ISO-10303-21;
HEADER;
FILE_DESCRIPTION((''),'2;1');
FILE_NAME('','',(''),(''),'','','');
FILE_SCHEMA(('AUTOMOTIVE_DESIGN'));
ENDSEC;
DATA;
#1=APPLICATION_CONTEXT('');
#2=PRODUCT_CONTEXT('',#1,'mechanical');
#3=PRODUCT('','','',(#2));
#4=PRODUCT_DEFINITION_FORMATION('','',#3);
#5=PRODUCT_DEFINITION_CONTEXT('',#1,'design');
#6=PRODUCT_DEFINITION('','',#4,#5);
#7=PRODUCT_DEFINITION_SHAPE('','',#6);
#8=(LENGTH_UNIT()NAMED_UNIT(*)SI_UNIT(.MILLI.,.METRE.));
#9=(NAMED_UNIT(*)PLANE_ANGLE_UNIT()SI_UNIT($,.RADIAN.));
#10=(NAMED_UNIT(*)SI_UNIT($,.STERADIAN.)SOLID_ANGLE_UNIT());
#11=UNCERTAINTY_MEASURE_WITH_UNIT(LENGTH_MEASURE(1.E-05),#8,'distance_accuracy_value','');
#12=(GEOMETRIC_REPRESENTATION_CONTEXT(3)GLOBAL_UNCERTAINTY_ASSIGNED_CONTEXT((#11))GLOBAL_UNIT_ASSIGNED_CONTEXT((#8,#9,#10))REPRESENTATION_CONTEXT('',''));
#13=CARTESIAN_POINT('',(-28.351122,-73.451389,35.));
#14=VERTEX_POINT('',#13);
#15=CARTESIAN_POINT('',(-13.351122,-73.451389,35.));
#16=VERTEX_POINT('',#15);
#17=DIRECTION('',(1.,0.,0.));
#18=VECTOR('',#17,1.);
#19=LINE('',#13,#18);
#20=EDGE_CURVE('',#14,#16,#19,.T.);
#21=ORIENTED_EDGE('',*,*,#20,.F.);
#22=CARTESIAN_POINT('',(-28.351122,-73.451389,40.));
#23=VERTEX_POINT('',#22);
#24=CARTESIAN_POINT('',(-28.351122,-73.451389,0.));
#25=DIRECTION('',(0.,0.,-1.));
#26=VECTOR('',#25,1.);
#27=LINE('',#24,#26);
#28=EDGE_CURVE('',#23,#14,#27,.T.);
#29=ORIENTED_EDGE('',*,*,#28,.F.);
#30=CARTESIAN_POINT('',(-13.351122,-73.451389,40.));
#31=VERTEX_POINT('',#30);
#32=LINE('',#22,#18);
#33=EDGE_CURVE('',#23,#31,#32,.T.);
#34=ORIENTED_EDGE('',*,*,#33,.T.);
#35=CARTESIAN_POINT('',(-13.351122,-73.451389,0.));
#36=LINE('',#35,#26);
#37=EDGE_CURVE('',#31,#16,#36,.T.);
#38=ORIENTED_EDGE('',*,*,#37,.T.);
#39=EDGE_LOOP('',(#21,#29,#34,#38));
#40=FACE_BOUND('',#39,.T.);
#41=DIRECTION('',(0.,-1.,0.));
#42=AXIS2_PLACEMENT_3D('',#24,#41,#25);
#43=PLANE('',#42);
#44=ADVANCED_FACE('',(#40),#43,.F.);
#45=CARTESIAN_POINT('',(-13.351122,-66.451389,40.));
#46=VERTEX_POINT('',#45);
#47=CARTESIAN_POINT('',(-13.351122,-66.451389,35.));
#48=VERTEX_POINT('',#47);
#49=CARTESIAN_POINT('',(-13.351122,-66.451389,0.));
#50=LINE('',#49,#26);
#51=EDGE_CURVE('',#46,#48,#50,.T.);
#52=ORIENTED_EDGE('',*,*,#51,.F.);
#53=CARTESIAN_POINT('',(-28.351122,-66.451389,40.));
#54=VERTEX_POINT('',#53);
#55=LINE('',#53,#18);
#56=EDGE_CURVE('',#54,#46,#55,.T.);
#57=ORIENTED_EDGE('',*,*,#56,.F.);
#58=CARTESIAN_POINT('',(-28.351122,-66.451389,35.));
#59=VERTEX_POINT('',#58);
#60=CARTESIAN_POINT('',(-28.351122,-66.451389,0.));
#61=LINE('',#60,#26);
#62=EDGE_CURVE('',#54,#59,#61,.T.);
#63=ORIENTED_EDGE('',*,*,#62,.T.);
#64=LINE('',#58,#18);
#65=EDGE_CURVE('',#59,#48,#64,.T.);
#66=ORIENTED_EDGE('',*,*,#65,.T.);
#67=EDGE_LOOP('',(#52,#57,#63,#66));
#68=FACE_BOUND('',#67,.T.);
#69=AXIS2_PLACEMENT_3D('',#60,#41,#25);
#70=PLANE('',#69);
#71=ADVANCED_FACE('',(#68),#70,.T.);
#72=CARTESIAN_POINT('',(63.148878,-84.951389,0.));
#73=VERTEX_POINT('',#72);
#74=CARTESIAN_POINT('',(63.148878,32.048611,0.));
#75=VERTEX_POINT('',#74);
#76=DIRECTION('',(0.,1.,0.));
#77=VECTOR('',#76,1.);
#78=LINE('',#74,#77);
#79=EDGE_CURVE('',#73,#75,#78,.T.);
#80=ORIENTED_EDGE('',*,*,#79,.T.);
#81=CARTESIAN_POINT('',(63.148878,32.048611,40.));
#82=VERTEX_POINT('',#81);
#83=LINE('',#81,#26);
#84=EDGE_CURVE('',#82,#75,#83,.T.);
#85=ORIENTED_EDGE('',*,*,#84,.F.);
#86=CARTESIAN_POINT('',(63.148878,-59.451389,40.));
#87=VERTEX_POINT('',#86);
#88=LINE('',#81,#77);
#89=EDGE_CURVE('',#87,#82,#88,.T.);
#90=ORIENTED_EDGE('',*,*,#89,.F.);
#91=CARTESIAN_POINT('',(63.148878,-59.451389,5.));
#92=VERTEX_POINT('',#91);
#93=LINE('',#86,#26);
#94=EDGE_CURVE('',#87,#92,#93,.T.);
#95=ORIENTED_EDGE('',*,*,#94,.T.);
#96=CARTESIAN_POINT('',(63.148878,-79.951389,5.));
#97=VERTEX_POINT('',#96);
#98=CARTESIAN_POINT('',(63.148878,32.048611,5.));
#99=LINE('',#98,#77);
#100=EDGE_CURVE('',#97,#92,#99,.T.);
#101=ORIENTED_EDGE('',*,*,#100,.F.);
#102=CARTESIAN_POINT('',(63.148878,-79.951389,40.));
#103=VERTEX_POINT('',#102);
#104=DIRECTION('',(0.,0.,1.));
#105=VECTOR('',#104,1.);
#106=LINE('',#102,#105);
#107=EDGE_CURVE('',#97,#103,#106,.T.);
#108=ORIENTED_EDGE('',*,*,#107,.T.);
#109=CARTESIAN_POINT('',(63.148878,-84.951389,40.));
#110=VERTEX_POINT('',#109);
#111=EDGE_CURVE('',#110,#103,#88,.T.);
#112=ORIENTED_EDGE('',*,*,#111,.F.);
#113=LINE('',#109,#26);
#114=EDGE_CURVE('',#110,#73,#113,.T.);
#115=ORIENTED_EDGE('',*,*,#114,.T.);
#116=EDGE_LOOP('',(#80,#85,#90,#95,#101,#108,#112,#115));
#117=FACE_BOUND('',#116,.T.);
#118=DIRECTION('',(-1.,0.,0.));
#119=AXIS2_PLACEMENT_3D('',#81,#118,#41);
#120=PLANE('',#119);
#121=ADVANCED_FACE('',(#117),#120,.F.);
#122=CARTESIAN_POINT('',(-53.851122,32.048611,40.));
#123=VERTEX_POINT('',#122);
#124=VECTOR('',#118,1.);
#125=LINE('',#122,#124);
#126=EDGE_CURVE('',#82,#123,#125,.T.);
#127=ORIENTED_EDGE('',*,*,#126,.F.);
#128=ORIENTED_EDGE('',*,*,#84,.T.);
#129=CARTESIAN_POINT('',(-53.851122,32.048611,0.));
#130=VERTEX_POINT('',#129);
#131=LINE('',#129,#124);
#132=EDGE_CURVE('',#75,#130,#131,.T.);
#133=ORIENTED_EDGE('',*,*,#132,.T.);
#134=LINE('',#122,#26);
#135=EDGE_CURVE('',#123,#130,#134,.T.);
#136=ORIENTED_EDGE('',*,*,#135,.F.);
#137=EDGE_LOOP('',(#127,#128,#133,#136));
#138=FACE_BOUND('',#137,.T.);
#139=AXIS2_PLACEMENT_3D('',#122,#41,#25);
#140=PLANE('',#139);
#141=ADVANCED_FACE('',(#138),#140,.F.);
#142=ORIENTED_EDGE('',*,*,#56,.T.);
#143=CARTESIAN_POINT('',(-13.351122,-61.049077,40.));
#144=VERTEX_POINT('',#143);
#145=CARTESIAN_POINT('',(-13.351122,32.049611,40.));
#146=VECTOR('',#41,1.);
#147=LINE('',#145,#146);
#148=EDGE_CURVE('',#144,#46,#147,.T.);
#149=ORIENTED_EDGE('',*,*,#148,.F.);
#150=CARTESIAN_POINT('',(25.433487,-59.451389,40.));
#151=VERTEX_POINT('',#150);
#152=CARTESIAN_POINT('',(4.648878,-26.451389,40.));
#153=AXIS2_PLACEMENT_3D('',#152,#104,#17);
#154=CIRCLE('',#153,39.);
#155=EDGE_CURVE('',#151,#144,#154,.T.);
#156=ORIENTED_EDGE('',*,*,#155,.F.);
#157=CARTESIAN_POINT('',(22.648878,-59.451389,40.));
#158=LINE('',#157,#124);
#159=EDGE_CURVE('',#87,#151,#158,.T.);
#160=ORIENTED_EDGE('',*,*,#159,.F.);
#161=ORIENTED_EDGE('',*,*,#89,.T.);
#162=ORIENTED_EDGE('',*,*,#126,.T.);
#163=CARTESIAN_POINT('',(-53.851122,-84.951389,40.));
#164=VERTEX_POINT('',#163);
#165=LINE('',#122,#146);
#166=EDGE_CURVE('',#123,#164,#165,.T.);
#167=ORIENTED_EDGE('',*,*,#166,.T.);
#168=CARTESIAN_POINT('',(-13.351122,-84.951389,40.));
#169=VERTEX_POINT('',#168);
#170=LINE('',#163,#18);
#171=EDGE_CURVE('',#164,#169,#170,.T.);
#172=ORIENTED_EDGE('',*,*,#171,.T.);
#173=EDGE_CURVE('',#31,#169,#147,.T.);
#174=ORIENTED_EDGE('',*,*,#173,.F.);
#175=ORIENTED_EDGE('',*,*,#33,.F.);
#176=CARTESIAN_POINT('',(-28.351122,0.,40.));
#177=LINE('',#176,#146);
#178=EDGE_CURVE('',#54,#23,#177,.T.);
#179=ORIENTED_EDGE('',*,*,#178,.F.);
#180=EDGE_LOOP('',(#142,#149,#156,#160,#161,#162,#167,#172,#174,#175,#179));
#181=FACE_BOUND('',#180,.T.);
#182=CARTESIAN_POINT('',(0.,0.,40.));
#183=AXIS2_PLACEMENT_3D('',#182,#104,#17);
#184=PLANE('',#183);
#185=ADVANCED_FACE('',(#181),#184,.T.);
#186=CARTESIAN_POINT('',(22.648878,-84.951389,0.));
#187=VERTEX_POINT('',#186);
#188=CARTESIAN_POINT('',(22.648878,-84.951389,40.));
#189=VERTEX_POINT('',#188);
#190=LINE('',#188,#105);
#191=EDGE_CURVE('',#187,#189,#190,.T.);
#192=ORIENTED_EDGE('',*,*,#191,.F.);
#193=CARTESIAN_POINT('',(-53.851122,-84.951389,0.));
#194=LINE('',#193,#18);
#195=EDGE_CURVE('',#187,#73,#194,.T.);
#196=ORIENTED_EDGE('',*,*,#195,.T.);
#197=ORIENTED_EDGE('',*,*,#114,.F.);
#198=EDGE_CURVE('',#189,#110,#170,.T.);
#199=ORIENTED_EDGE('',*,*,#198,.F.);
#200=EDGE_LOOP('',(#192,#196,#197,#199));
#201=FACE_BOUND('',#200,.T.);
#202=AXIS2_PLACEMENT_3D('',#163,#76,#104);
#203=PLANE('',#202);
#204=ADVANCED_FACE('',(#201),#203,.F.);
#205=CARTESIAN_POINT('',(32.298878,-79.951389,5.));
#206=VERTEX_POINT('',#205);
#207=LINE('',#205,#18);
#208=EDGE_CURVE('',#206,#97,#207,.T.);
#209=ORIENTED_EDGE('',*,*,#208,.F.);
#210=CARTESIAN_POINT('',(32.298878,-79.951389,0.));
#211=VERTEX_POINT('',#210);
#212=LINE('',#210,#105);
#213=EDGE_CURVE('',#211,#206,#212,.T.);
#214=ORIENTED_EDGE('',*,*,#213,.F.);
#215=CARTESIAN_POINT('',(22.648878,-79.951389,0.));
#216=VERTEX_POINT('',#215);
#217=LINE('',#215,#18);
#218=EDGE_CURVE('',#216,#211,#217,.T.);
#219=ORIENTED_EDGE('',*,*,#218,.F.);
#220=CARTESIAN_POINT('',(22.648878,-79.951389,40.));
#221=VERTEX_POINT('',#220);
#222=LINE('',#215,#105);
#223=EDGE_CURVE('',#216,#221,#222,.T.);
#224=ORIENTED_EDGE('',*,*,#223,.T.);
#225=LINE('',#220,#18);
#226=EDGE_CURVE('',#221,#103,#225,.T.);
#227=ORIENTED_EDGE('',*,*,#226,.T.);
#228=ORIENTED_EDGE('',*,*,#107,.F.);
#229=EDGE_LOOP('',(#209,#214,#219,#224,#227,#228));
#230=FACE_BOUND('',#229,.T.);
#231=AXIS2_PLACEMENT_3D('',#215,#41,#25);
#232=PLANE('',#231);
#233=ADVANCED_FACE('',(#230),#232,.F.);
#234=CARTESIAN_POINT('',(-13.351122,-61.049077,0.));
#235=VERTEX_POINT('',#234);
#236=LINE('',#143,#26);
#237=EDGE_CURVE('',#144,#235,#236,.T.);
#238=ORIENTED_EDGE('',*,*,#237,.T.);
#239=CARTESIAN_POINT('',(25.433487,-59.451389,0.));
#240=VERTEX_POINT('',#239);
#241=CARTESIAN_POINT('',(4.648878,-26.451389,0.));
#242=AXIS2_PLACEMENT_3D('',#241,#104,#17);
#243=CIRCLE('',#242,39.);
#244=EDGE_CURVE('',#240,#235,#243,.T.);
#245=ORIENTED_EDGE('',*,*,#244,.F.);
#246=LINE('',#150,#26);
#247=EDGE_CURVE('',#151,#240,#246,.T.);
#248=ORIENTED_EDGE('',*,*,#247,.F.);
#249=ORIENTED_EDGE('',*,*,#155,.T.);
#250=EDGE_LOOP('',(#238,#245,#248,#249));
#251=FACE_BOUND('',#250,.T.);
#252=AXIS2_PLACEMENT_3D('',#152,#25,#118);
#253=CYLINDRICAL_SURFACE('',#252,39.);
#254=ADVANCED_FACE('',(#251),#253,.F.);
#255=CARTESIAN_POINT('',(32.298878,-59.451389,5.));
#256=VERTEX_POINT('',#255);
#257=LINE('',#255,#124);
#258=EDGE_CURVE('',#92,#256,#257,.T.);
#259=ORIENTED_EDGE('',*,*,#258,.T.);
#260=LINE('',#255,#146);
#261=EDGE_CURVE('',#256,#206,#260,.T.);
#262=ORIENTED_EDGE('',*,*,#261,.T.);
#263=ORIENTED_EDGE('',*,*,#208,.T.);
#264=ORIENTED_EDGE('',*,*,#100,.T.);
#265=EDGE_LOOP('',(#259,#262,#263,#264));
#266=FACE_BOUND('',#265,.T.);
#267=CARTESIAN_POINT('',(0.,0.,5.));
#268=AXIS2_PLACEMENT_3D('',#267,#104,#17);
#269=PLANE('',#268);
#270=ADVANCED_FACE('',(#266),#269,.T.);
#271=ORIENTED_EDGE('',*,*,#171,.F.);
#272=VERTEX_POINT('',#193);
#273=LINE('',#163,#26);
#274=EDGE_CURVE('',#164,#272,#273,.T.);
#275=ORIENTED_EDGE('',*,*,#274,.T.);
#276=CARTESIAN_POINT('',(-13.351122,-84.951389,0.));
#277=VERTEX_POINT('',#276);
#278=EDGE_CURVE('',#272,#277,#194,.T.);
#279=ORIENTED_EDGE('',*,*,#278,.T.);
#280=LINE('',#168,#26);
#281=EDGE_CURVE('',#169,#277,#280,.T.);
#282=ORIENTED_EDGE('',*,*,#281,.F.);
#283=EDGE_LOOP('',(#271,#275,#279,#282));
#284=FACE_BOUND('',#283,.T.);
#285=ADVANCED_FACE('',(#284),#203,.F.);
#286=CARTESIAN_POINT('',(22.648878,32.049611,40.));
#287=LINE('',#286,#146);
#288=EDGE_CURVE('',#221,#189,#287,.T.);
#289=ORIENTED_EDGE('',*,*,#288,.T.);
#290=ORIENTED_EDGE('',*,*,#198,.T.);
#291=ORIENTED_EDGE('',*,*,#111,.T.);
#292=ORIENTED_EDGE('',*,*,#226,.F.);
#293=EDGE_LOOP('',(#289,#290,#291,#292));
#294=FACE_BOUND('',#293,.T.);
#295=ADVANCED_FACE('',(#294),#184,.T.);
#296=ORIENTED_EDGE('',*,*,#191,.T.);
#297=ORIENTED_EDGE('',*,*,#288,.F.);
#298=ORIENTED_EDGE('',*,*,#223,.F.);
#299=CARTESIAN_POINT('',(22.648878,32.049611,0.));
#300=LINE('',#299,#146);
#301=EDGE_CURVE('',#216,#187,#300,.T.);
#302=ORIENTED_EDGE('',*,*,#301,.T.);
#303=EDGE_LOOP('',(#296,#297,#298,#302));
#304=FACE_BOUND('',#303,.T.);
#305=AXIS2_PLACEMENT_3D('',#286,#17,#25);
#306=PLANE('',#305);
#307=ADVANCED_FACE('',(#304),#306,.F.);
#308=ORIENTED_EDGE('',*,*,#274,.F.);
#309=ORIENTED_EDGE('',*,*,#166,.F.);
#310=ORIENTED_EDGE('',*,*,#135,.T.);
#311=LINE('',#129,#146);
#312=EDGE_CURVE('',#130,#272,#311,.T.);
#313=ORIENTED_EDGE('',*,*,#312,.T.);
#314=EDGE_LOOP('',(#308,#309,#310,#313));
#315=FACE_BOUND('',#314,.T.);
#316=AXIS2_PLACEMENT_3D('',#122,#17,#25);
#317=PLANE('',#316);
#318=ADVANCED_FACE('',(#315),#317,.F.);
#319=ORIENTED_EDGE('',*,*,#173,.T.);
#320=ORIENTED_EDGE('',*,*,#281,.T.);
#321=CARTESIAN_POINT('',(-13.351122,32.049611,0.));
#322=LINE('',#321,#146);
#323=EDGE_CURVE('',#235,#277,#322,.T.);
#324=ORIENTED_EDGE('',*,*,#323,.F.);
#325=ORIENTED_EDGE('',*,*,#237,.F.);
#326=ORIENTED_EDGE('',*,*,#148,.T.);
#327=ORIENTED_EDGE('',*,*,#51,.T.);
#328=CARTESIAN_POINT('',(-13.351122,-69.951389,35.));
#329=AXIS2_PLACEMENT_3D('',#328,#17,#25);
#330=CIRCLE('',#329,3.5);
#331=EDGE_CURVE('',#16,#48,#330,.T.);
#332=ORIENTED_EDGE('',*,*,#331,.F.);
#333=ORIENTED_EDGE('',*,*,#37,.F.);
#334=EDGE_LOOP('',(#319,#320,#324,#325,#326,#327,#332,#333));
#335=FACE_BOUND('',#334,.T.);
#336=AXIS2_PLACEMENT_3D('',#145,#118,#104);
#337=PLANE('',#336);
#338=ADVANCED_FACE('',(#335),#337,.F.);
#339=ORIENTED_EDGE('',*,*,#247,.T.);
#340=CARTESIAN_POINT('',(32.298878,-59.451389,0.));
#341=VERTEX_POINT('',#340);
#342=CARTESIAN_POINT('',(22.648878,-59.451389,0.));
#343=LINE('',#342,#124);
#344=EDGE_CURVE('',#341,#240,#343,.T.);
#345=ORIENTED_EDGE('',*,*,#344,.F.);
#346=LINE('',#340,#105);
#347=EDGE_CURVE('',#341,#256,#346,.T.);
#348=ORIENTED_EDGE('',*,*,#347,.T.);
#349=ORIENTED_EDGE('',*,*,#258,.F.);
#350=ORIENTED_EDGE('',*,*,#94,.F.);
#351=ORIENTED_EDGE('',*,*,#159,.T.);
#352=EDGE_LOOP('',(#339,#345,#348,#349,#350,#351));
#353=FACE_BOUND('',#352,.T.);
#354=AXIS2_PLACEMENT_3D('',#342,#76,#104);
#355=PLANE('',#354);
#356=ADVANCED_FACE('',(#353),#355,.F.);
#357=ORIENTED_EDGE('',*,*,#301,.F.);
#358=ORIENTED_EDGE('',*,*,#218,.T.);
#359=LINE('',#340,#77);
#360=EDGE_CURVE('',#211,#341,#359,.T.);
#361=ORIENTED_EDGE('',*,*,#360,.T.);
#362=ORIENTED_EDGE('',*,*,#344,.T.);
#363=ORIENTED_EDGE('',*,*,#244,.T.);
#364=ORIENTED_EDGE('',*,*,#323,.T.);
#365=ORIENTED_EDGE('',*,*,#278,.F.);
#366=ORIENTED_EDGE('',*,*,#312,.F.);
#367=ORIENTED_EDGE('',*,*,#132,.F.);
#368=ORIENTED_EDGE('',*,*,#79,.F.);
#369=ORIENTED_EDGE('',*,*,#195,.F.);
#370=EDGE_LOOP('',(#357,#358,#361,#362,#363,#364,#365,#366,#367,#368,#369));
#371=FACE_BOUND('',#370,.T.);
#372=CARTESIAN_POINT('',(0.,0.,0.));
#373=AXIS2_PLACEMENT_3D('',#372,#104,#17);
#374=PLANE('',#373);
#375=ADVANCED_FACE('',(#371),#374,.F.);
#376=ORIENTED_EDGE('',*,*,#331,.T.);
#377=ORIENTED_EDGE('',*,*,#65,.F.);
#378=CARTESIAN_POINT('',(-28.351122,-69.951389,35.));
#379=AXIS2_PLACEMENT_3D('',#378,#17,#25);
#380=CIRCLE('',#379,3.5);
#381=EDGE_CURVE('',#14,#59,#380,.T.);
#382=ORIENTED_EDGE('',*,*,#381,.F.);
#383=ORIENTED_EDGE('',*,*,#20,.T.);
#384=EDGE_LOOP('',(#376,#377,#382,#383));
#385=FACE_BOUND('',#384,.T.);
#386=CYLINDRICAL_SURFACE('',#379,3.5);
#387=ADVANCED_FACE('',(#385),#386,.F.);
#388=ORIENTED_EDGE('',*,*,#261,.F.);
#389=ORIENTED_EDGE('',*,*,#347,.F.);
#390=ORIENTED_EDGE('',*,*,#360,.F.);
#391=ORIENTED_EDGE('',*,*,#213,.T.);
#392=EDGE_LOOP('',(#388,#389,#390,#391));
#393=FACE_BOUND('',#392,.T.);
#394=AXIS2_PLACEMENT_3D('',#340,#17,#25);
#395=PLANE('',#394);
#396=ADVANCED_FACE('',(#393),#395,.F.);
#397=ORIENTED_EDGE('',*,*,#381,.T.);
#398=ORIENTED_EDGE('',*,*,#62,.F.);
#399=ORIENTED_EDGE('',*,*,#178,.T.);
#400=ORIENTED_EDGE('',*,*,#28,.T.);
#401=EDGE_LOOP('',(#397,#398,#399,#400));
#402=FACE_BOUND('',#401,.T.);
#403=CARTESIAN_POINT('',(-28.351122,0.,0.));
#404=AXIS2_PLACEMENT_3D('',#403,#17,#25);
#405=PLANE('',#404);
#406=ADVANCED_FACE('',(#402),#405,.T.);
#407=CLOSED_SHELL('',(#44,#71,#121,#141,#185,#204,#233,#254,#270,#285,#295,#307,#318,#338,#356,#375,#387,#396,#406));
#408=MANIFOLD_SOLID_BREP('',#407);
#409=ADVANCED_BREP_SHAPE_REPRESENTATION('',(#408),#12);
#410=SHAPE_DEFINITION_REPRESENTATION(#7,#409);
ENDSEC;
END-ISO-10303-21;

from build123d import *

# Parameters (mm, degrees)
SKETCH_1_W          = 117
SKETCH_1_H          = 117
SKETCH_1_R          = 39
EXTRUDE_1_DEPTH     = 40
CUT_EXTRUDE_1_REACH = 119
SKETCH_2_W          = 36
SKETCH_2_H          = 40
SKETCH_7_W          = 9.65
SKETCH_7_H          = 20.5
CUT_EXTRUDE_4_DEPTH = 40
CUT_EXTRUDE_5_DEPTH = 15
SKETCH_9_W          = 31
SKETCH_9_H          = 20.5
CUT_EXTRUDE_6_DEPTH = 35


with BuildPart() as part:
    # 草圖1 → 填料-伸長1 (new body)
    with BuildSketch(Plane.XY):
        with Locations((4.648877503, -26.451389471)):
            Rectangle(SKETCH_1_W, SKETCH_1_H)
        with Locations((4.648877503, -26.451389471)):
            Circle(SKETCH_1_R, mode=Mode.SUBTRACT)
    extrude(amount=EXTRUDE_1_DEPTH)

    # 草圖2 → 除料-伸長1 (cut, up to next)
    with BuildSketch(Plane.XZ.offset(84.951389471), mode=Mode.PRIVATE) as cut_extrude_1_sk1:
        with Locations((4.648877503, 20)):
            Rectangle(SKETCH_2_W, SKETCH_2_H)
    cut_extrude_1_tool1 = extrude(cut_extrude_1_sk1.sketch, amount=-CUT_EXTRUDE_1_REACH, mode=Mode.PRIVATE) & part.part
    add(cut_extrude_1_tool1.solids().sort_by_distance((4.648878, -84.951389, 20))[0], mode=Mode.SUBTRACT)

    # 草圖7 → 除料-伸長4 (cut)
    with BuildSketch(Plane.XY.offset(40)):
        with Locations((27.473877503, -69.701389471)):
            Rectangle(SKETCH_7_W, SKETCH_7_H)
    extrude(amount=-CUT_EXTRUDE_4_DEPTH, mode=Mode.SUBTRACT)

    # 草圖8 → 除料-伸長5 (cut)
    with BuildSketch(Plane(origin=(-13.351122497, 0, 0), x_dir=(0, 0, -1), z_dir=(1, 0, 0))):
        with BuildLine():
            Line((-40, -66.451389471), (-40, -73.451389471))
            Line((-40, -73.451389471), (-35, -73.451389471))
            ThreePointArc((-35, -73.451389471), (-38.5, -69.951389471), (-35, -66.451389471))
            Line((-35, -66.451389471), (-40, -66.451389471))
        make_face()
        with BuildLine():
            ThreePointArc((-35, -66.451389471), (-38.5, -69.951389471), (-35, -73.451389471))
            Line((-35, -73.451389471), (-35, -66.451389471))
        make_face()
        with BuildLine():
            Line((-35, -66.451389471), (-35, -73.451389471))
            ThreePointArc((-35, -73.451389471), (-32.525126266, -72.426263205), (-31.5, -69.951389471))
            ThreePointArc((-31.5, -69.951389471), (-32.525126266, -67.476515737), (-35, -66.451389471))
        make_face()
    extrude(amount=-CUT_EXTRUDE_5_DEPTH, mode=Mode.SUBTRACT)

    # 草圖9 → 除料-伸長6 (cut)
    with BuildSketch(Plane.XY.offset(40)):
        with Locations((47.798877503, -69.701389471)):
            Rectangle(SKETCH_9_W, SKETCH_9_H)
    extrude(amount=-CUT_EXTRUDE_6_DEPTH, mode=Mode.SUBTRACT)


solid = part.part
